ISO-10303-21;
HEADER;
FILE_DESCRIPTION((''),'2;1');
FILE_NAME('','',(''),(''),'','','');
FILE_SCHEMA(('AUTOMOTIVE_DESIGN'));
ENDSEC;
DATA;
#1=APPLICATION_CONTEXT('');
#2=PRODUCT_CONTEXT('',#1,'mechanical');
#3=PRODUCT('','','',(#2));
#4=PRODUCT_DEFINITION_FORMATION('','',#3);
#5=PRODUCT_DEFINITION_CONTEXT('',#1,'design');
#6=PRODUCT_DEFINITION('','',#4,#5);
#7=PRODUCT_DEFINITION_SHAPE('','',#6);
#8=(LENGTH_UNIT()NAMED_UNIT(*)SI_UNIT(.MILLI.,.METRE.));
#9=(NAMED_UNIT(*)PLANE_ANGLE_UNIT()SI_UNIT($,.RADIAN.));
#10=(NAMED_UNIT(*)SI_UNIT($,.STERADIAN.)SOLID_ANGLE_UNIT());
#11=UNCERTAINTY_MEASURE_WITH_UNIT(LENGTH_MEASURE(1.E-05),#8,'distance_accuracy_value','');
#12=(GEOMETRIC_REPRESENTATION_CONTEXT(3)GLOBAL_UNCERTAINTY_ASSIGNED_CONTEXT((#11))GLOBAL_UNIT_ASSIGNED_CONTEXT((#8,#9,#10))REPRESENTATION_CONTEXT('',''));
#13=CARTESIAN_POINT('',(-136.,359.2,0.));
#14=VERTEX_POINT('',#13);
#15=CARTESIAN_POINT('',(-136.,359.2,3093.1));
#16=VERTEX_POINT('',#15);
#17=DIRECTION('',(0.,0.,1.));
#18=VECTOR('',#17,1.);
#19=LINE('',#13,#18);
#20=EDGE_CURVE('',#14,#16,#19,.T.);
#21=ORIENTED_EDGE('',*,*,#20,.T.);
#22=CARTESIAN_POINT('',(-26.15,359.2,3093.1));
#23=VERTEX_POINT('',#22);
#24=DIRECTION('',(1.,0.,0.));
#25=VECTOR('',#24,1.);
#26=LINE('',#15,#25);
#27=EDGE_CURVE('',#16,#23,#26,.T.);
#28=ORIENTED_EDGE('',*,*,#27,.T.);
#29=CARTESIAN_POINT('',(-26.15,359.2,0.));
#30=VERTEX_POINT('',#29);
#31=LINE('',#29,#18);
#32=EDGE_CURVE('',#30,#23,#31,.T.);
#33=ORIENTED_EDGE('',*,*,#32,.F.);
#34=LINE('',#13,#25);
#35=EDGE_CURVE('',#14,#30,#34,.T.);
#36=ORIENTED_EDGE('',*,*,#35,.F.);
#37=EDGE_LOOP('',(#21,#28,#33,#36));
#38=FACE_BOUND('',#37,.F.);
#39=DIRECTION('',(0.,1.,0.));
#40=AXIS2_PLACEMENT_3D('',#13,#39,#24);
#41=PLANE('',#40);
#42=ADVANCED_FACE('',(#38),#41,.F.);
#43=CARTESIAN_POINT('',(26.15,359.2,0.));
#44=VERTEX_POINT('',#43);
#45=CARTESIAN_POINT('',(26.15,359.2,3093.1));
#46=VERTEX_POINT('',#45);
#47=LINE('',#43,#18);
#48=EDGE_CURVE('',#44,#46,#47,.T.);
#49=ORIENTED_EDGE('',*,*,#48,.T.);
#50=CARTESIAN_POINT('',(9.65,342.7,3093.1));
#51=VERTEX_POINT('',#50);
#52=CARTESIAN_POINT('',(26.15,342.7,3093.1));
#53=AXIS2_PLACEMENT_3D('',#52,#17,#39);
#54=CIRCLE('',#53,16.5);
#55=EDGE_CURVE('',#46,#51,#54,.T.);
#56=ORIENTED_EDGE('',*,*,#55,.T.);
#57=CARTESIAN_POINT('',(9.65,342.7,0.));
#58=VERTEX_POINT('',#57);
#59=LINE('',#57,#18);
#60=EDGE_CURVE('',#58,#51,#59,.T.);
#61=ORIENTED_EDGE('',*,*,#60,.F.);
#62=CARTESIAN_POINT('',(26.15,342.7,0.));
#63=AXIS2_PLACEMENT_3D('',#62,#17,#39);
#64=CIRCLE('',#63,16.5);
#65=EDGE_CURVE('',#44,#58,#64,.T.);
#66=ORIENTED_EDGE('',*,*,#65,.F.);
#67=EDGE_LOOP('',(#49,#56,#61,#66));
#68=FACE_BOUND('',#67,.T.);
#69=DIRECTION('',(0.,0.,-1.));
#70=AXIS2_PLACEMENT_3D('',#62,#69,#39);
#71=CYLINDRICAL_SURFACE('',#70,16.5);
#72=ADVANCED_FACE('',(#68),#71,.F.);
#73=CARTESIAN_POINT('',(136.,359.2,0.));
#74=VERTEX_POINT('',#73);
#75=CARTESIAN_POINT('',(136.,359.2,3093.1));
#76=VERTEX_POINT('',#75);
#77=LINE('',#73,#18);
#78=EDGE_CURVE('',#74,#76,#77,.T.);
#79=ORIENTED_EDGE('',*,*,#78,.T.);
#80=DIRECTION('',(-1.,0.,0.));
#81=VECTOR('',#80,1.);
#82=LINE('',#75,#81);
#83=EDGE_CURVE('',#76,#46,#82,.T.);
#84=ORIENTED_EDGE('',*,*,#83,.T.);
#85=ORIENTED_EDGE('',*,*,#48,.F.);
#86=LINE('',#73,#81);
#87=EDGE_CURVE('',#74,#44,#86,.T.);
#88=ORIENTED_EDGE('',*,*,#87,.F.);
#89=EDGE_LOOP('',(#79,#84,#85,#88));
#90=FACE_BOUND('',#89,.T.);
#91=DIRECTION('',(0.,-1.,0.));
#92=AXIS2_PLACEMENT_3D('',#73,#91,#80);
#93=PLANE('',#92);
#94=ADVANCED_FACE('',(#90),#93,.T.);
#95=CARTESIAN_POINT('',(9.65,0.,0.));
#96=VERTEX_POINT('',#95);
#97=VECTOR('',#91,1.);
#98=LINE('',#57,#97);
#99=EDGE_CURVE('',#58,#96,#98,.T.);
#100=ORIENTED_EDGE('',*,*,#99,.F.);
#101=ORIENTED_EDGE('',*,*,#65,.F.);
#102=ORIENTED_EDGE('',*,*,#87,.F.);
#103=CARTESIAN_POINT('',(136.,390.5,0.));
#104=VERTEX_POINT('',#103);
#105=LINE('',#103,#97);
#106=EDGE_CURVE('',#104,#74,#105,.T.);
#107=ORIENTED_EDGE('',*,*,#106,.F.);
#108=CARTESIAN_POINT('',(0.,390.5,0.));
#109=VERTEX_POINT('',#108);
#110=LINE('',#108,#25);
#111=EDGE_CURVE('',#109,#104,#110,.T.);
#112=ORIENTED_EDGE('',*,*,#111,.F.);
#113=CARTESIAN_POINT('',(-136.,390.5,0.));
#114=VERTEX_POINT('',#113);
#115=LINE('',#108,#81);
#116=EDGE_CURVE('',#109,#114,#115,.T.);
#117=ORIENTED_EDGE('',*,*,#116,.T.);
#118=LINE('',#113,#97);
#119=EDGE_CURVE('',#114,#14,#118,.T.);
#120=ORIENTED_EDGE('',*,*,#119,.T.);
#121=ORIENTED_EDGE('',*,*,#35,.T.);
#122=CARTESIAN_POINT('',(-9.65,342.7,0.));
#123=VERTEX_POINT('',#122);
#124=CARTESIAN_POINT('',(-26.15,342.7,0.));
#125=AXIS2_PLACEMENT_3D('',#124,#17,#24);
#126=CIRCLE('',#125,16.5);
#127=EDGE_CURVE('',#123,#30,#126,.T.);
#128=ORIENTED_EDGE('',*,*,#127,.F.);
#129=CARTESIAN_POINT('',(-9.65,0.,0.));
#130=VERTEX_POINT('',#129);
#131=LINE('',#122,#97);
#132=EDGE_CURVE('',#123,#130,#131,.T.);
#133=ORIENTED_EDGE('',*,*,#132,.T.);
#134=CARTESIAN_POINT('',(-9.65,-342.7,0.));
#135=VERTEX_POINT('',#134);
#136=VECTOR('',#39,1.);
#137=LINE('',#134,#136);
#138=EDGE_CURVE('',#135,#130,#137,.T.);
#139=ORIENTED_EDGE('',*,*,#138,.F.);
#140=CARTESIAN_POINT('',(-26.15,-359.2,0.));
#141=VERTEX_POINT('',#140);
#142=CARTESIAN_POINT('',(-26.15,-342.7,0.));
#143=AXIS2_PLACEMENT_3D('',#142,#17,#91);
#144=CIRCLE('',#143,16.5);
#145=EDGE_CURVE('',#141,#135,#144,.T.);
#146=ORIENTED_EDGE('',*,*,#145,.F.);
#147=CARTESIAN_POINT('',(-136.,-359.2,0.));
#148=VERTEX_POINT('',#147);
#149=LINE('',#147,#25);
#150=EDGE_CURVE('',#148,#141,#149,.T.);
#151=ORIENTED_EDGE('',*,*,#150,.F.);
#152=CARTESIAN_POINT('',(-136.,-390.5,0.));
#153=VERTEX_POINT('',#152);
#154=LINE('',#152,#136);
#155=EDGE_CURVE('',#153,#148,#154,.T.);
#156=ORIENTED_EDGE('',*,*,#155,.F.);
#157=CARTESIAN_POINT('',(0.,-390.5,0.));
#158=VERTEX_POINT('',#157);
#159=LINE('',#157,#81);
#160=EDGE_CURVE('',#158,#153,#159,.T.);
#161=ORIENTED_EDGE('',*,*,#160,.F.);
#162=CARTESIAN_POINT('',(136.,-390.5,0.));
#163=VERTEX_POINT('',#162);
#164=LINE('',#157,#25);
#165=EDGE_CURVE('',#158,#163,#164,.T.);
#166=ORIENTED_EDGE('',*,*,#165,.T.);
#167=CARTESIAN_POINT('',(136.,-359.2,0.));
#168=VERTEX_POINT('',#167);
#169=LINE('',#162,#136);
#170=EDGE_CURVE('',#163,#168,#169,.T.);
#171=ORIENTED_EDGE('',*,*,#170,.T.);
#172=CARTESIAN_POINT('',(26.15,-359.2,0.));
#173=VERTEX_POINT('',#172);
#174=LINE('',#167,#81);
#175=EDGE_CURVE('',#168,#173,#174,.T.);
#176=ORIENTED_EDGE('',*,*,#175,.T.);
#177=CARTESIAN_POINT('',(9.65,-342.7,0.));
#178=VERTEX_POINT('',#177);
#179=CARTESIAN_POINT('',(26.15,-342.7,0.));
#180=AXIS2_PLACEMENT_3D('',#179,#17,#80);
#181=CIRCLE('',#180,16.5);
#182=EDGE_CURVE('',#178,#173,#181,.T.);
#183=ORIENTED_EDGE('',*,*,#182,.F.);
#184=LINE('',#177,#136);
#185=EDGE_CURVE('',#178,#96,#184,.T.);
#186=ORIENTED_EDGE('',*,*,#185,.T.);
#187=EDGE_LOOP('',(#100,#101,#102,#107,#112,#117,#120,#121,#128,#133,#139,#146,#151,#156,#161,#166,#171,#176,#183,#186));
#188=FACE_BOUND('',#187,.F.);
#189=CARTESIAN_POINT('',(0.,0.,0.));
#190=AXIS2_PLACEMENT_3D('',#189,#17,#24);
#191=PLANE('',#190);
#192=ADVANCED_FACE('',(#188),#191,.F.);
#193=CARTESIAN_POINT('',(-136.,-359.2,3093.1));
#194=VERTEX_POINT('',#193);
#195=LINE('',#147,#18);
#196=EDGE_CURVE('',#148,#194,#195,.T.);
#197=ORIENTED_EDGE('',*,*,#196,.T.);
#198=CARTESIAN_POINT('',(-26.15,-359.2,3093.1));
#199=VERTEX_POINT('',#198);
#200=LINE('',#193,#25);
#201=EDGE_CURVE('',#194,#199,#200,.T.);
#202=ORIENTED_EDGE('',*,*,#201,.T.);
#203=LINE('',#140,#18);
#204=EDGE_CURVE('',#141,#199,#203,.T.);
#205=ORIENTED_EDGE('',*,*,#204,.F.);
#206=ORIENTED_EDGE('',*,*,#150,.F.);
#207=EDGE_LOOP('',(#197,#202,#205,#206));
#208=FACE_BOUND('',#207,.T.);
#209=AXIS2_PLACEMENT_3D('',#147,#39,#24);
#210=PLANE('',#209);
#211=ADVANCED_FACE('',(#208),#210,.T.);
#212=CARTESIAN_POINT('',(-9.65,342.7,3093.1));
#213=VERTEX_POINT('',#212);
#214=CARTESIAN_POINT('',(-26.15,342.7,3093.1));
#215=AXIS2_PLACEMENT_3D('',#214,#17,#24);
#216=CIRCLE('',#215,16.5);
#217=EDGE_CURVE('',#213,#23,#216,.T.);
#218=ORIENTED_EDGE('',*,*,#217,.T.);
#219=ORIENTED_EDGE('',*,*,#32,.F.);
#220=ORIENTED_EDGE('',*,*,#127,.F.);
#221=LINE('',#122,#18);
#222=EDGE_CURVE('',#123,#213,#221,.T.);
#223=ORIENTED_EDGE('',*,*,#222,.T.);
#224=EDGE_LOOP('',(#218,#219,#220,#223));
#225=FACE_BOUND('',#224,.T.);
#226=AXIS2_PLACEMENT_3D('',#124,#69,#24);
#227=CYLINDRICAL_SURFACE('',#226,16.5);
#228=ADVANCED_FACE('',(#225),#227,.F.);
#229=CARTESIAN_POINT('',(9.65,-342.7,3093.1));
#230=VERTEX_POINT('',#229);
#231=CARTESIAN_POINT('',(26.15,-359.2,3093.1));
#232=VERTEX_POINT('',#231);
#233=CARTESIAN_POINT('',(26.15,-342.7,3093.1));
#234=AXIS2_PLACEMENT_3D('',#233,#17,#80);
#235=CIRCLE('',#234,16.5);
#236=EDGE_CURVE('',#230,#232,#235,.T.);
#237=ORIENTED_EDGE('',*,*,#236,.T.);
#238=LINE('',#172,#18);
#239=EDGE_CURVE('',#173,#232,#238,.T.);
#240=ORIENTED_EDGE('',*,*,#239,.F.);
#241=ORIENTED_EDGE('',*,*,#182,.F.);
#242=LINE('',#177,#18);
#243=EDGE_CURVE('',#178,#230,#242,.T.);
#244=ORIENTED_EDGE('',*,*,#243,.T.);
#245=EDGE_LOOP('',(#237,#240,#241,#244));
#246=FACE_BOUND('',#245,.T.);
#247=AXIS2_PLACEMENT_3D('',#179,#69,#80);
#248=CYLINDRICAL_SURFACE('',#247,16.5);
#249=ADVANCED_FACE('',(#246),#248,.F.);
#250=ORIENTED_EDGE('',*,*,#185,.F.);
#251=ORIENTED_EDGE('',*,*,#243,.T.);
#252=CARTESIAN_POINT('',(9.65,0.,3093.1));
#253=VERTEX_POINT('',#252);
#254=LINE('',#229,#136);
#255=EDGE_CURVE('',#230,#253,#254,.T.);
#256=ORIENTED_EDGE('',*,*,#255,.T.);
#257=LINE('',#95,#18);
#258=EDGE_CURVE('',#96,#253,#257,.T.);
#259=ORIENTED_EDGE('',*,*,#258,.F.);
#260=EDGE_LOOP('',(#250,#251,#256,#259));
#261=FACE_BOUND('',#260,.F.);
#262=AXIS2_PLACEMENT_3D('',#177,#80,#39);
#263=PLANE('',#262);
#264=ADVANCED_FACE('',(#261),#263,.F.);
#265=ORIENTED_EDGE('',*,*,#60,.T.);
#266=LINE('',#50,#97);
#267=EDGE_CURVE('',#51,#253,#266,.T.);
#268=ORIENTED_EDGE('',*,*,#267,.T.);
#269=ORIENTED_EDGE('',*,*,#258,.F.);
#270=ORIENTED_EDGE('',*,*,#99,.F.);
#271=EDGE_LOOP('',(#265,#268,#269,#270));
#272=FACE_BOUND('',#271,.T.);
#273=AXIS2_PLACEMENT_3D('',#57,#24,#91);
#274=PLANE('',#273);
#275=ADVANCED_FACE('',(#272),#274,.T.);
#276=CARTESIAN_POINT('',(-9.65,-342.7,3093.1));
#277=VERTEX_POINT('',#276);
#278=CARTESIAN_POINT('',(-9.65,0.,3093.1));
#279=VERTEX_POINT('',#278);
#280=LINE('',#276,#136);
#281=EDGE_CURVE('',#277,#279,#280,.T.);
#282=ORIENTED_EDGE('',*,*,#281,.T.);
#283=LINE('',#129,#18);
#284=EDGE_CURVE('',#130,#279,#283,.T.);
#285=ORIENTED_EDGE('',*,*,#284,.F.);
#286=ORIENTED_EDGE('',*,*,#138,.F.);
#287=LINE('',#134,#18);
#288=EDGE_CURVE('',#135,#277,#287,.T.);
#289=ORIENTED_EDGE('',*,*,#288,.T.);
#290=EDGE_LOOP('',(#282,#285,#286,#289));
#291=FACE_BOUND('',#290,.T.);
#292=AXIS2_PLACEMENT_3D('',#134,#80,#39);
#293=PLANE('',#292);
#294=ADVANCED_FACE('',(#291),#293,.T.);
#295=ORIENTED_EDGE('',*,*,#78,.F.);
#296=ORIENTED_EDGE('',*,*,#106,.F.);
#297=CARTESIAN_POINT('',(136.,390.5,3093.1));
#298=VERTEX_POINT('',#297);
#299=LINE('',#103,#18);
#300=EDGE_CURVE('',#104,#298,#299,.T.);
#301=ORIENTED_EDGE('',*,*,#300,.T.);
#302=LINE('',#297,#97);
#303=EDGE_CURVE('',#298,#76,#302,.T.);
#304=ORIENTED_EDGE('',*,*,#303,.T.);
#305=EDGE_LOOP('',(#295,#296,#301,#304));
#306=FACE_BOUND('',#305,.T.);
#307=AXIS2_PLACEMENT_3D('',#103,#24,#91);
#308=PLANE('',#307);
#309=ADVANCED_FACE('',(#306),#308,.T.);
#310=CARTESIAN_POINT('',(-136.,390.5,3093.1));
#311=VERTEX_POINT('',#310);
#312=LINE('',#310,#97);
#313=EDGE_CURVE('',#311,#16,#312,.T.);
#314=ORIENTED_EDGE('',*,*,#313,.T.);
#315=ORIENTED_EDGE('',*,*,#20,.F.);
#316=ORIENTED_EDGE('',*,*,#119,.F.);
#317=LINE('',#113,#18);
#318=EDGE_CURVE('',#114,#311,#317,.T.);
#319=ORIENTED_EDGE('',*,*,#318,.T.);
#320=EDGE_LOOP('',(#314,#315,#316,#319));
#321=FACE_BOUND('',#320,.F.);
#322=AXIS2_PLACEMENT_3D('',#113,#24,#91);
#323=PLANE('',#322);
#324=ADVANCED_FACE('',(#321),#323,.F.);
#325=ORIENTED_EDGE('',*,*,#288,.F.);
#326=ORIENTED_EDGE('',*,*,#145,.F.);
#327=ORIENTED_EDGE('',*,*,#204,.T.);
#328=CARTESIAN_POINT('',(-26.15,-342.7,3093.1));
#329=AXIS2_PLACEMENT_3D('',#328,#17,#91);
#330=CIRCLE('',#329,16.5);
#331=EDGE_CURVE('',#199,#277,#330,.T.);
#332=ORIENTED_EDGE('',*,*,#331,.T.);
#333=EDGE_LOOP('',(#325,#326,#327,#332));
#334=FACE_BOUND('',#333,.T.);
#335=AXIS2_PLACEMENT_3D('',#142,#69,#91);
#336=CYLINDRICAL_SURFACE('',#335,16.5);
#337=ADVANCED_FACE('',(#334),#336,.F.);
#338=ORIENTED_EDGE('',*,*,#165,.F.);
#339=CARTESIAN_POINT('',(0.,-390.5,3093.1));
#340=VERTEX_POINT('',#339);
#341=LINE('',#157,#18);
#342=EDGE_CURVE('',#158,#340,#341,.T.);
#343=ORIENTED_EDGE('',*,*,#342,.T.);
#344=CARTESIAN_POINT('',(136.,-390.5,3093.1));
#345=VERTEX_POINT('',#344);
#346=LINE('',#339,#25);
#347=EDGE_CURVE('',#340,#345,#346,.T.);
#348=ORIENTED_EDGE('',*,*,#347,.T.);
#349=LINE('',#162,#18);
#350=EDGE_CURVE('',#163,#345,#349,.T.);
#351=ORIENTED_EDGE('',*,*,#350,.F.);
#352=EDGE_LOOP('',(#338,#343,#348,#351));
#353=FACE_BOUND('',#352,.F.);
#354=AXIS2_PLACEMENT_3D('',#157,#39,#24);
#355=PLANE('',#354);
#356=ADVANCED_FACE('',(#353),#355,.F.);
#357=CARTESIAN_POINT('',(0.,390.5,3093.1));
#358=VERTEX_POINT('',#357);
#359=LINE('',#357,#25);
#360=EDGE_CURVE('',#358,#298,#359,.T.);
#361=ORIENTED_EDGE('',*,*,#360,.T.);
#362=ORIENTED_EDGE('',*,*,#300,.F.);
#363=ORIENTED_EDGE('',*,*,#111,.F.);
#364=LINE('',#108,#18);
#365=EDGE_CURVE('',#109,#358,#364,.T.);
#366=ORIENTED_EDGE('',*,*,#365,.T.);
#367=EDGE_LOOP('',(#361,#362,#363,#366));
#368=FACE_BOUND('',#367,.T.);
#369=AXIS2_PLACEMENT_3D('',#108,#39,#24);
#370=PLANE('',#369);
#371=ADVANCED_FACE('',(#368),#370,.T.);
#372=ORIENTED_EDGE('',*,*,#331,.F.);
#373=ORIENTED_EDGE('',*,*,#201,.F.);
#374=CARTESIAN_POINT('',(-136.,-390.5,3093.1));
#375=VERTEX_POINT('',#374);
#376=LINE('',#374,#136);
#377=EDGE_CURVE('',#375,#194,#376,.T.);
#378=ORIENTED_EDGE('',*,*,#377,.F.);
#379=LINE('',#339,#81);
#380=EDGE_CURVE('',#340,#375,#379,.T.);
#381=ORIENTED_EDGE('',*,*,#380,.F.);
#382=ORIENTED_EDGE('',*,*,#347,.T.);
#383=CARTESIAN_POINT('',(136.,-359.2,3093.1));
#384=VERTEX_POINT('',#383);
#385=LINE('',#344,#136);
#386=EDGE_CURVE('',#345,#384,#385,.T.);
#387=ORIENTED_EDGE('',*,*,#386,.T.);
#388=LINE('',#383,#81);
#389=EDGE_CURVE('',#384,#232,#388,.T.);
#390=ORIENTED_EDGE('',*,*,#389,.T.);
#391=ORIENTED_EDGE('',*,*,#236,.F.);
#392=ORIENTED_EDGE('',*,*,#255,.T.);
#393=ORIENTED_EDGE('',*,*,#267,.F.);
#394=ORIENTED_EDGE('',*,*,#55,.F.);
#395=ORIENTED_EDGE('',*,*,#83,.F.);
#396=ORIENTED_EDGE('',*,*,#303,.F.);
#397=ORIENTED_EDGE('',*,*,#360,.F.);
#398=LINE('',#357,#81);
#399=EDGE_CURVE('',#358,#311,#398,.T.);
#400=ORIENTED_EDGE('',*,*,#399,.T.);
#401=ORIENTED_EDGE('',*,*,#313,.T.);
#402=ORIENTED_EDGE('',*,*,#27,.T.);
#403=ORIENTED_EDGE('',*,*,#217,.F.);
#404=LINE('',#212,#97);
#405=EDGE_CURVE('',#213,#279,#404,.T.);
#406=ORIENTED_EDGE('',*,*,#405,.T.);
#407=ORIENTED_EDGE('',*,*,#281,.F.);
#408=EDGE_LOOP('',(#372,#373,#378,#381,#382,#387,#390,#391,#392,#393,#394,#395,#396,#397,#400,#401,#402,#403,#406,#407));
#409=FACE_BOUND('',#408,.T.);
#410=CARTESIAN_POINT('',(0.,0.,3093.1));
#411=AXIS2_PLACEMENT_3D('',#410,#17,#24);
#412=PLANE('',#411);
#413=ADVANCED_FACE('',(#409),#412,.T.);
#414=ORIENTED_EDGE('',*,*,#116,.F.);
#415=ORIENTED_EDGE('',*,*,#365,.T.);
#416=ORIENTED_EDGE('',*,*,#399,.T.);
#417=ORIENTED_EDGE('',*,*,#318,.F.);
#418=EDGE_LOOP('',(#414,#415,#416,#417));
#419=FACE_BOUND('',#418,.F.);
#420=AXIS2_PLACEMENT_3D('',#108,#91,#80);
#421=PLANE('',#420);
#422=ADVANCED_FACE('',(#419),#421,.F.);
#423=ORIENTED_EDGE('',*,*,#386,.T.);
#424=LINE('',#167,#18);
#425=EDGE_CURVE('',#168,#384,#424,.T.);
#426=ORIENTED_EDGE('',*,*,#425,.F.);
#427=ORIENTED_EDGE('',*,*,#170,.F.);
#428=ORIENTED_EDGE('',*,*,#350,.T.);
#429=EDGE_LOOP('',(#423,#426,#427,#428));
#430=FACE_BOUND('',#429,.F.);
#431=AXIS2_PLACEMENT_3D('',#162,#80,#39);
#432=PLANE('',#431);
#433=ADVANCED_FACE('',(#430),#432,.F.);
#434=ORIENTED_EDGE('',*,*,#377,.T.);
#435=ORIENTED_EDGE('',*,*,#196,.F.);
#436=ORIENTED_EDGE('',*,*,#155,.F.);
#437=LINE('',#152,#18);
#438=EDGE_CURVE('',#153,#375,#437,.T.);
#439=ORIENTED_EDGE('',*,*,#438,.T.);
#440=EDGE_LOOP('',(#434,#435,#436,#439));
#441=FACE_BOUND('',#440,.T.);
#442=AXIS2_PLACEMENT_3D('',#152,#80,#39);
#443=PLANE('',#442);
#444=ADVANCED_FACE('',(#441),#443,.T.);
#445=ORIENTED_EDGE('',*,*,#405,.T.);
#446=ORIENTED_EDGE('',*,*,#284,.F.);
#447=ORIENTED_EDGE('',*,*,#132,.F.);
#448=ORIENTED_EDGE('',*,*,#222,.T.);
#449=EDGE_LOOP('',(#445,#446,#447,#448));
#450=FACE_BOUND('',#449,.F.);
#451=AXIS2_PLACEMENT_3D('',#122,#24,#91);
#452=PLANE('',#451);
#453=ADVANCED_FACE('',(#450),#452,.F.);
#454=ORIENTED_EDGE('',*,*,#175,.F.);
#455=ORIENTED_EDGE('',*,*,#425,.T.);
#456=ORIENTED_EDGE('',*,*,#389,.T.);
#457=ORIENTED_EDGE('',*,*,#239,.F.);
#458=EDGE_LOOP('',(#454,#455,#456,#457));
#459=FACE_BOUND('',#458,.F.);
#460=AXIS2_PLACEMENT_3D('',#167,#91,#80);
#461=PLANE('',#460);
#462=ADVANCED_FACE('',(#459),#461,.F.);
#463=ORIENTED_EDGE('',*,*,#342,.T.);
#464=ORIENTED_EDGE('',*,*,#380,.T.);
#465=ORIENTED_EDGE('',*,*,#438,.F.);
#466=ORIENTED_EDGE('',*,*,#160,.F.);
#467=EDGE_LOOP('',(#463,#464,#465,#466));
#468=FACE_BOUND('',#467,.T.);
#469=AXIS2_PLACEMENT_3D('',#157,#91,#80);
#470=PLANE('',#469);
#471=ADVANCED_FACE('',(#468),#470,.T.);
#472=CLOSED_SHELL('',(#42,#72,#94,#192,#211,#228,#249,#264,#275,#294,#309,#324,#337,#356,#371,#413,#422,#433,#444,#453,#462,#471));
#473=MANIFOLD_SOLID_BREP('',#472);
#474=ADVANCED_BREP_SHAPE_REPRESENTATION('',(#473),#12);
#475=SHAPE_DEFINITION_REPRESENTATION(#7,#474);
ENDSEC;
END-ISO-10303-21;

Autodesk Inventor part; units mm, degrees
ref_plane "YZ Plane" through (0, 0, 0) normal (1, 0, 0) x (0, 1, 0)
ref_plane "Start plane" through (0, 0, 0) normal (0, 0, 1) x (1, 0, 0)
ref_plane "End plane" through (0, 0, 3093.1) normal (0, 0, 1) x (1, 0, 0)
sketch "Sketch" plane through (0, 0, 0) normal (0, 0, 1) x (1, 0, 0)
  line L0 (-136, -390.5) -> (-136, -359.2)
  line L1 (-136, -359.2) -> (-26.15, -359.2)
  line L2 (-9.65, -342.7) -> (-9.65, 0)
  line L3 (-9.65, 0) -> (0, 0) construction
  line L4 (0, 0) -> (0, -390.5) construction
  line L5 (0, -390.5) -> (-136, -390.5)
  line L6 (-60, 0) -> (80, 0) construction
  line L7 (0, -60) -> (0, 80) construction
  line L8 (136, -390.5) -> (136, -359.2)
  line L9 (136, -359.2) -> (26.15, -359.2)
  line L10 (9.65, -342.7) -> (9.65, 0)
  line L11 (9.65, 0) -> (0, 0) construction
  line L12 (0, -390.5) -> (136, -390.5)
  line L13 (-136, 390.5) -> (-136, 359.2)
  line L14 (-136, 359.2) -> (-26.15, 359.2)
  line L15 (-9.65, 342.7) -> (-9.65, 0)
  line L16 (0, 390.5) -> (-136, 390.5)
  line L17 (136, 390.5) -> (136, 359.2)
  line L18 (136, 359.2) -> (26.15, 359.2)
  line L19 (0, 390.5) -> (136, 390.5)
  line L20 (9.65, 342.7) -> (9.65, 0)
  arc A0 (-9.65, 342.7) -> (-26.15, 359.2) centre (-26.15, 342.7) ccw
  arc A1 (26.15, 359.2) -> (9.65, 342.7) centre (26.15, 342.7) ccw
  arc A2 (9.65, -342.7) -> (26.15, -359.2) centre (26.15, -342.7) ccw
  arc A3 (-26.15, -359.2) -> (-9.65, -342.7) centre (-26.15, -342.7) ccw
  line L21 (0, 108) -> (0, -88) construction
  line L22 (-88, 0) -> (108, 0) construction
  point P0 (-9.65, -359.2)
  point P1 (9.65, -359.2)
  point P2 (-9.65, 359.2)
  point P3 (9.65, 359.2)
  dimension "d1" = 390.5
  dimension "d2" = 31.3
  dimension "d3" = 136
  dimension "d4" = 9.65
  dimension "d10" = 16.5
extrude "Body" add sketch "Sketch" along normal up to surface (3093.1 mm away) from surface at 0
sketch "Sketch4" plane through (0, 0, 0) normal (0, 0, 1) x (1, 0, 0)
  line L0 (0, 0) -> (10, 0)
ref_plane "Work Plane3" through (0, 0, 0) normal (0, -1, 0) x (1, 0, 0)
sketch "Sketch5" plane through (0, 0, 0) normal (0, -1, 0) x (1, 0, 0)
  line L0 (-2, 0) -> (12, 0) projected
  line L1 (-2, 3093.1) -> (12, 3093.1) projected
  dimension "d14" = 3093.1
equation "\"d1\" = 0.5 * G_H"
equation "\"d2\" = G_T1"
equation "\"d3\" = 0.5 * G_W"
equation "\"d4\" = 0.5 * G_T"
equation "\"d10\" = G_IR"
equation "\"d5\" = G_L"
equation "\"G_W\" = 272"
equation "\"G_H\" = 781"
equation "\"G_T\" = 19.3"
equation "\"G_T1\" = 31.3"
equation "\"G_IR\" = 16.5"
equation "\"G_L\" = d14"
equation "\"G_OFFSET_START\" = 0"
equation "\"G_OFFSET_END\" = 0"
equation "\"d12\" = G_OFFSET_END + B_L"
equation "\"B_L\" = 3093.1"
properties part number "AS 3679-1990 - 760 UB - 244 - 3093.1" material "Steel, Mild"
